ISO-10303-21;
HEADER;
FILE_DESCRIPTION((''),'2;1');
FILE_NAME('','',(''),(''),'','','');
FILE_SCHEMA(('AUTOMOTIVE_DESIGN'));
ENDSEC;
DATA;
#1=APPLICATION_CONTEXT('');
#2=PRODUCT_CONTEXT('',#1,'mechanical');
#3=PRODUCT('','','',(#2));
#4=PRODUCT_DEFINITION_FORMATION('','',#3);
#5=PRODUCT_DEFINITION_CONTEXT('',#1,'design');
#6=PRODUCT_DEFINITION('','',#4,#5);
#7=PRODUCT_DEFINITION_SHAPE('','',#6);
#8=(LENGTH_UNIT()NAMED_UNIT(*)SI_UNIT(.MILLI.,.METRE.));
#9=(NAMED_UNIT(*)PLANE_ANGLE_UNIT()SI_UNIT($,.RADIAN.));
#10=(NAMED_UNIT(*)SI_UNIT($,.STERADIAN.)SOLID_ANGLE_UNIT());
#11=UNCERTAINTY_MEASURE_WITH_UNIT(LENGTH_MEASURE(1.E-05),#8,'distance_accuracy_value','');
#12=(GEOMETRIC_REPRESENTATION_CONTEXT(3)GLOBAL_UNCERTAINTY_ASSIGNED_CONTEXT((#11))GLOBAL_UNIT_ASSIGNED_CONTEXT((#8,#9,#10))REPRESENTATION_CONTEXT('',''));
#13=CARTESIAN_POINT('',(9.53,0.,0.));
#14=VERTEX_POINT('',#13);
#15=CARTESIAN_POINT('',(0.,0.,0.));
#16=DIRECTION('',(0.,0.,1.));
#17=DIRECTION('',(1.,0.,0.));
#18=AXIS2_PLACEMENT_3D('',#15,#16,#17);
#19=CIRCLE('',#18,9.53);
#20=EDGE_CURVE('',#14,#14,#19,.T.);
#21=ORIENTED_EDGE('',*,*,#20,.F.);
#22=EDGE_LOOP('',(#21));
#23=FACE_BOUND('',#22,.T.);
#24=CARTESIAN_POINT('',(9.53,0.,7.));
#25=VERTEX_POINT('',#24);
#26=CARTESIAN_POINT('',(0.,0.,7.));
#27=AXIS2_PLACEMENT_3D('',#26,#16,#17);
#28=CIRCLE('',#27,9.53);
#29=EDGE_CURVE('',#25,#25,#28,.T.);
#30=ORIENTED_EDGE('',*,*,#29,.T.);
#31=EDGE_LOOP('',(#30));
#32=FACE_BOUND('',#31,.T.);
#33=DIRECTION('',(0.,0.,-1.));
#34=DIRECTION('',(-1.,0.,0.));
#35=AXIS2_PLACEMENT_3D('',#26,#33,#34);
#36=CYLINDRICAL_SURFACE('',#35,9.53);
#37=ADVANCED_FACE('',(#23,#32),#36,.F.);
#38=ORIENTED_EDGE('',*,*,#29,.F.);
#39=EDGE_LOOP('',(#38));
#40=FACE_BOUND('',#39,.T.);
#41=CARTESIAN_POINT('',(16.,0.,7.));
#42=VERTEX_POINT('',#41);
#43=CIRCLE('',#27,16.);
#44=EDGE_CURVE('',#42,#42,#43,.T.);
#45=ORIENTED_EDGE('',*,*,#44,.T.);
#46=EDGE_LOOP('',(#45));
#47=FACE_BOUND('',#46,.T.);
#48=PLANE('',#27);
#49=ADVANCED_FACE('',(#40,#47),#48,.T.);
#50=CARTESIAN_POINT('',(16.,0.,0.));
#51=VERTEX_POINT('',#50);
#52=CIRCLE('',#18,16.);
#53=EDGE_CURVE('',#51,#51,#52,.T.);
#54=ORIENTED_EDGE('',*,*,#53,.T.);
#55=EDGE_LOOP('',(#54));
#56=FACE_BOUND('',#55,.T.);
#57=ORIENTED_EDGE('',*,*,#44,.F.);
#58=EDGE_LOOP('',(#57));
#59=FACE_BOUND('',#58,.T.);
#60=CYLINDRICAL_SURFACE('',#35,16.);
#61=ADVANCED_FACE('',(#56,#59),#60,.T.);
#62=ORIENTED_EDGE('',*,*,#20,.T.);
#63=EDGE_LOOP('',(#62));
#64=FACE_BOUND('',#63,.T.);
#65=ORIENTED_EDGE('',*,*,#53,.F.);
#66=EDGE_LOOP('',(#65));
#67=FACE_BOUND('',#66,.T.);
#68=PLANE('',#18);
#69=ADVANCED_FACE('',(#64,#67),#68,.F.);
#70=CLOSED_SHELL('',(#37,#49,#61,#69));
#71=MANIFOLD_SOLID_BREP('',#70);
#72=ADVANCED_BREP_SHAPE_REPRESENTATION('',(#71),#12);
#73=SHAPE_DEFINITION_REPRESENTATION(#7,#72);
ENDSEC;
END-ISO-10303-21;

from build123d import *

# Parameters (mm, degrees)
CROQUIS1_R              = 16
CROQUIS1_R_2            = 9.53
SALIENTE_EXTRUIR1_DEPTH = 7


with BuildPart() as part:
    # Croquis1 → Saliente-Extruir1 (new body)
    with BuildSketch(Plane.XY):
        Circle(CROQUIS1_R)
        Circle(CROQUIS1_R_2, mode=Mode.SUBTRACT)
    extrude(amount=SALIENTE_EXTRUIR1_DEPTH)


solid = part.part
